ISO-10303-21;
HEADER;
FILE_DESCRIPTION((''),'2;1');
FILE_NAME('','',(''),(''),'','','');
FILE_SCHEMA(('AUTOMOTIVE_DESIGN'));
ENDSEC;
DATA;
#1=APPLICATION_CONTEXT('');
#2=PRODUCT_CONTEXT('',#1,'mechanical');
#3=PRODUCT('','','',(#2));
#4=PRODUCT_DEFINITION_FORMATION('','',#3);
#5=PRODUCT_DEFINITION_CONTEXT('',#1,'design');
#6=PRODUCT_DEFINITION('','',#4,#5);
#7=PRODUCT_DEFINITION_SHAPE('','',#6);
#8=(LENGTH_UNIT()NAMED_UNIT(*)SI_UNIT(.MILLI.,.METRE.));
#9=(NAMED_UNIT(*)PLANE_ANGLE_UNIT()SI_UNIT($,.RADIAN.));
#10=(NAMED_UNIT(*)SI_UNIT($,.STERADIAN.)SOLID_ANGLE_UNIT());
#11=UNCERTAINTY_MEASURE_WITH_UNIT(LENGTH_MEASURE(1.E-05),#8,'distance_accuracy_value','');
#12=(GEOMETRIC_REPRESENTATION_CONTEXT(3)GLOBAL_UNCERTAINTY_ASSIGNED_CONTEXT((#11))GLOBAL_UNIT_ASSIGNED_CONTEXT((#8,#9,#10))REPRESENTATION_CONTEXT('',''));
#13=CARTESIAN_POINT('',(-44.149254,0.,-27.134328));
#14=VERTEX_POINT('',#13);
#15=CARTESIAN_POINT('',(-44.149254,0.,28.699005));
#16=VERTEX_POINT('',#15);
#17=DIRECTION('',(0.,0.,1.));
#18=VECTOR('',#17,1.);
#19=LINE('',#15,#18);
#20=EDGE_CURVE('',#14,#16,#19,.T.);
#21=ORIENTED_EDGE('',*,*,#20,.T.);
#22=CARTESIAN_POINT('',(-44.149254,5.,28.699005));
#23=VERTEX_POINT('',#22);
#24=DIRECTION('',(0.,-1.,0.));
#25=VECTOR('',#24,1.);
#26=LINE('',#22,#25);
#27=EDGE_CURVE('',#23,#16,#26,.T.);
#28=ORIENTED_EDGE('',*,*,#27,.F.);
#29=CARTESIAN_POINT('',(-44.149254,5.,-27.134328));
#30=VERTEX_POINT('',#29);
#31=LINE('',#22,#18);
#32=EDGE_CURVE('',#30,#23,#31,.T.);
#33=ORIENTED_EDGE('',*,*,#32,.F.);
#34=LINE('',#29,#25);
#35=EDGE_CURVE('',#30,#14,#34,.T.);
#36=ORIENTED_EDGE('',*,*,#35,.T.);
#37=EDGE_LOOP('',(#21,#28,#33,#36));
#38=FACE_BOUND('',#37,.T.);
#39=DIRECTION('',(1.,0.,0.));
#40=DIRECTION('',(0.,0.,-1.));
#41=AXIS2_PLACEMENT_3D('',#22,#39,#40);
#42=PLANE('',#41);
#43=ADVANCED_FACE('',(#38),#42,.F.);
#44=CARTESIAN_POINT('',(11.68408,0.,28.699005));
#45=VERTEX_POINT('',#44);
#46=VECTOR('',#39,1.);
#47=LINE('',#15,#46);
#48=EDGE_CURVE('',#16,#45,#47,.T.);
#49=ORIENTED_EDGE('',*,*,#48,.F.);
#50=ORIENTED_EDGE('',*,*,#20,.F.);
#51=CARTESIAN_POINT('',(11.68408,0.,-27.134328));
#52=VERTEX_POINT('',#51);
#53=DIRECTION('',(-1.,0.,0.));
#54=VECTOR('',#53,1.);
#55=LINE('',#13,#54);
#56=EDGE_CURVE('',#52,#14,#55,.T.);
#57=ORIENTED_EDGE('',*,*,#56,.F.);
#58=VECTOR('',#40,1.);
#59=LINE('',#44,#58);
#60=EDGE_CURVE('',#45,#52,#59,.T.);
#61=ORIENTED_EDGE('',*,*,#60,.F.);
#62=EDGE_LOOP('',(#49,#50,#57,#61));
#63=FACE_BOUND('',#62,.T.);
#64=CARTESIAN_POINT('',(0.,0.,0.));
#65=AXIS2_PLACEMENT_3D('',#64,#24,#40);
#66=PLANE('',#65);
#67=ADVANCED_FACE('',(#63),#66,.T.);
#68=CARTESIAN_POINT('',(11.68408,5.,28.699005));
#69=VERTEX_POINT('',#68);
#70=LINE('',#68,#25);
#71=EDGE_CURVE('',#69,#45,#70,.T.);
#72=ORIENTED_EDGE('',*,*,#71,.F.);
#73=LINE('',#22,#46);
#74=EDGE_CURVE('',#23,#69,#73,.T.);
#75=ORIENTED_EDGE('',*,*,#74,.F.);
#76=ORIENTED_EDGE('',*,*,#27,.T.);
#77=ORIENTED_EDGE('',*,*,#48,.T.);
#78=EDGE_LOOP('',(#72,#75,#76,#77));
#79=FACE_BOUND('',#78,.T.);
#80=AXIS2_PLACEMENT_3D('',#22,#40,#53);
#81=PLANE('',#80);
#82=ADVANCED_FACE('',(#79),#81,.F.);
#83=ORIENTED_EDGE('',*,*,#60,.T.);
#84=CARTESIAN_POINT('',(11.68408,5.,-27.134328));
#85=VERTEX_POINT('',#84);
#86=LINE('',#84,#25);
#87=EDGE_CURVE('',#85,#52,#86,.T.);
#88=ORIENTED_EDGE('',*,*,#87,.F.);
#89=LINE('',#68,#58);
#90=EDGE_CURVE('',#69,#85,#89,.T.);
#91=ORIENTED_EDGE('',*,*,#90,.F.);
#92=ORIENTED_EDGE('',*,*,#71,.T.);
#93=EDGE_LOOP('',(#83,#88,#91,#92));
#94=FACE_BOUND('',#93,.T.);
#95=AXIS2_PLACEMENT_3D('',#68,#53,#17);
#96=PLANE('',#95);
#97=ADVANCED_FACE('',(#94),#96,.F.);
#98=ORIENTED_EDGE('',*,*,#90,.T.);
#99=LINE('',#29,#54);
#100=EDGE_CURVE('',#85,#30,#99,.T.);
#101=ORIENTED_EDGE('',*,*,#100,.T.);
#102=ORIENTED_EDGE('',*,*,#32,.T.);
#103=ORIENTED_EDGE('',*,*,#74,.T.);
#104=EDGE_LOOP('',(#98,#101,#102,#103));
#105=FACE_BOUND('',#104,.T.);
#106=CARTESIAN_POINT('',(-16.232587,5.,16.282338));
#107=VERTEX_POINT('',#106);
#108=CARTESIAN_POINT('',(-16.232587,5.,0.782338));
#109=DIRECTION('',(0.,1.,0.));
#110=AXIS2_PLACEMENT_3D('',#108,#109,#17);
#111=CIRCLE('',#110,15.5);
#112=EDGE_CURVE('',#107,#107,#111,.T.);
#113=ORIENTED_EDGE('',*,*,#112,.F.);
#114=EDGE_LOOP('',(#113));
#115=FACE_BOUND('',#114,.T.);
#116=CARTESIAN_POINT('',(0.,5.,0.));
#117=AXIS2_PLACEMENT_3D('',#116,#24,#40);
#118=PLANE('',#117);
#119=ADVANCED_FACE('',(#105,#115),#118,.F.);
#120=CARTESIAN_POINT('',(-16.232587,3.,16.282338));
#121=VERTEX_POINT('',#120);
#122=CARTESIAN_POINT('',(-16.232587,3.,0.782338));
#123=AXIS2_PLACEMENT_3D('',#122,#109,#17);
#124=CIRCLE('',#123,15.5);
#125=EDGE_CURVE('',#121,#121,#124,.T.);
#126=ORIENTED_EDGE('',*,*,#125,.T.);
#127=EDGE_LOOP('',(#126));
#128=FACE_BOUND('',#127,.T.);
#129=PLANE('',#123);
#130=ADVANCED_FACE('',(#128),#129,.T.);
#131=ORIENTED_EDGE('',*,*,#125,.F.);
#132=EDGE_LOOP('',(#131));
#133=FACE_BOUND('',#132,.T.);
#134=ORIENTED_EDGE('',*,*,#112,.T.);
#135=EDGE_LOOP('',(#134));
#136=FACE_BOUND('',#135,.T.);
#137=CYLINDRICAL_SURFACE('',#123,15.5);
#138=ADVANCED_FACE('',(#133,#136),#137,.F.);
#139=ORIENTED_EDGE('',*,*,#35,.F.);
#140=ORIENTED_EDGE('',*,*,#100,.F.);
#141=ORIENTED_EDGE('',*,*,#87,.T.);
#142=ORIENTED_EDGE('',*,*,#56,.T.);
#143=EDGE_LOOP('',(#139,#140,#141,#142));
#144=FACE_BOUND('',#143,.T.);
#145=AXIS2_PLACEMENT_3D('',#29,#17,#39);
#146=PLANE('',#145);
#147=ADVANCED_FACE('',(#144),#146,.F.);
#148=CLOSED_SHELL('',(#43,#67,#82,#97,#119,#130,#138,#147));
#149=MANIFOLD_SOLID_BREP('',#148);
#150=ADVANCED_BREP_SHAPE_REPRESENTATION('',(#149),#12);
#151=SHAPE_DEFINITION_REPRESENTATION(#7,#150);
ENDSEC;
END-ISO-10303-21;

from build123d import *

# Parameters (mm, degrees)
SKETCH1_W           = 55.833333333
SKETCH1_H           = 55.833333333
BOSS_EXTRUDE1_DEPTH = 5
SKETCH2_R           = 15.5
CUT_EXTRUDE1_DEPTH  = 2


with BuildPart() as part:
    # Sketch1 → Boss-Extrude1 (new body)
    with BuildSketch(Plane(origin=(0, 0, 0), x_dir=(1, 0, 0), z_dir=(0, 1, 0))):
        with Locations((-16.232587065, -0.782338308)):
            Rectangle(SKETCH1_W, SKETCH1_H)
    extrude(amount=BOSS_EXTRUDE1_DEPTH)

    # Sketch2 → Cut-Extrude1 (cut)
    with BuildSketch(Plane(origin=(0, 5, 0), x_dir=(1, 0, 0), z_dir=(0, 1, 0))):
        with Locations((-16.232587065, -0.782338308)):
            Circle(SKETCH2_R)
    extrude(amount=-CUT_EXTRUDE1_DEPTH, mode=Mode.SUBTRACT)


solid = part.part
